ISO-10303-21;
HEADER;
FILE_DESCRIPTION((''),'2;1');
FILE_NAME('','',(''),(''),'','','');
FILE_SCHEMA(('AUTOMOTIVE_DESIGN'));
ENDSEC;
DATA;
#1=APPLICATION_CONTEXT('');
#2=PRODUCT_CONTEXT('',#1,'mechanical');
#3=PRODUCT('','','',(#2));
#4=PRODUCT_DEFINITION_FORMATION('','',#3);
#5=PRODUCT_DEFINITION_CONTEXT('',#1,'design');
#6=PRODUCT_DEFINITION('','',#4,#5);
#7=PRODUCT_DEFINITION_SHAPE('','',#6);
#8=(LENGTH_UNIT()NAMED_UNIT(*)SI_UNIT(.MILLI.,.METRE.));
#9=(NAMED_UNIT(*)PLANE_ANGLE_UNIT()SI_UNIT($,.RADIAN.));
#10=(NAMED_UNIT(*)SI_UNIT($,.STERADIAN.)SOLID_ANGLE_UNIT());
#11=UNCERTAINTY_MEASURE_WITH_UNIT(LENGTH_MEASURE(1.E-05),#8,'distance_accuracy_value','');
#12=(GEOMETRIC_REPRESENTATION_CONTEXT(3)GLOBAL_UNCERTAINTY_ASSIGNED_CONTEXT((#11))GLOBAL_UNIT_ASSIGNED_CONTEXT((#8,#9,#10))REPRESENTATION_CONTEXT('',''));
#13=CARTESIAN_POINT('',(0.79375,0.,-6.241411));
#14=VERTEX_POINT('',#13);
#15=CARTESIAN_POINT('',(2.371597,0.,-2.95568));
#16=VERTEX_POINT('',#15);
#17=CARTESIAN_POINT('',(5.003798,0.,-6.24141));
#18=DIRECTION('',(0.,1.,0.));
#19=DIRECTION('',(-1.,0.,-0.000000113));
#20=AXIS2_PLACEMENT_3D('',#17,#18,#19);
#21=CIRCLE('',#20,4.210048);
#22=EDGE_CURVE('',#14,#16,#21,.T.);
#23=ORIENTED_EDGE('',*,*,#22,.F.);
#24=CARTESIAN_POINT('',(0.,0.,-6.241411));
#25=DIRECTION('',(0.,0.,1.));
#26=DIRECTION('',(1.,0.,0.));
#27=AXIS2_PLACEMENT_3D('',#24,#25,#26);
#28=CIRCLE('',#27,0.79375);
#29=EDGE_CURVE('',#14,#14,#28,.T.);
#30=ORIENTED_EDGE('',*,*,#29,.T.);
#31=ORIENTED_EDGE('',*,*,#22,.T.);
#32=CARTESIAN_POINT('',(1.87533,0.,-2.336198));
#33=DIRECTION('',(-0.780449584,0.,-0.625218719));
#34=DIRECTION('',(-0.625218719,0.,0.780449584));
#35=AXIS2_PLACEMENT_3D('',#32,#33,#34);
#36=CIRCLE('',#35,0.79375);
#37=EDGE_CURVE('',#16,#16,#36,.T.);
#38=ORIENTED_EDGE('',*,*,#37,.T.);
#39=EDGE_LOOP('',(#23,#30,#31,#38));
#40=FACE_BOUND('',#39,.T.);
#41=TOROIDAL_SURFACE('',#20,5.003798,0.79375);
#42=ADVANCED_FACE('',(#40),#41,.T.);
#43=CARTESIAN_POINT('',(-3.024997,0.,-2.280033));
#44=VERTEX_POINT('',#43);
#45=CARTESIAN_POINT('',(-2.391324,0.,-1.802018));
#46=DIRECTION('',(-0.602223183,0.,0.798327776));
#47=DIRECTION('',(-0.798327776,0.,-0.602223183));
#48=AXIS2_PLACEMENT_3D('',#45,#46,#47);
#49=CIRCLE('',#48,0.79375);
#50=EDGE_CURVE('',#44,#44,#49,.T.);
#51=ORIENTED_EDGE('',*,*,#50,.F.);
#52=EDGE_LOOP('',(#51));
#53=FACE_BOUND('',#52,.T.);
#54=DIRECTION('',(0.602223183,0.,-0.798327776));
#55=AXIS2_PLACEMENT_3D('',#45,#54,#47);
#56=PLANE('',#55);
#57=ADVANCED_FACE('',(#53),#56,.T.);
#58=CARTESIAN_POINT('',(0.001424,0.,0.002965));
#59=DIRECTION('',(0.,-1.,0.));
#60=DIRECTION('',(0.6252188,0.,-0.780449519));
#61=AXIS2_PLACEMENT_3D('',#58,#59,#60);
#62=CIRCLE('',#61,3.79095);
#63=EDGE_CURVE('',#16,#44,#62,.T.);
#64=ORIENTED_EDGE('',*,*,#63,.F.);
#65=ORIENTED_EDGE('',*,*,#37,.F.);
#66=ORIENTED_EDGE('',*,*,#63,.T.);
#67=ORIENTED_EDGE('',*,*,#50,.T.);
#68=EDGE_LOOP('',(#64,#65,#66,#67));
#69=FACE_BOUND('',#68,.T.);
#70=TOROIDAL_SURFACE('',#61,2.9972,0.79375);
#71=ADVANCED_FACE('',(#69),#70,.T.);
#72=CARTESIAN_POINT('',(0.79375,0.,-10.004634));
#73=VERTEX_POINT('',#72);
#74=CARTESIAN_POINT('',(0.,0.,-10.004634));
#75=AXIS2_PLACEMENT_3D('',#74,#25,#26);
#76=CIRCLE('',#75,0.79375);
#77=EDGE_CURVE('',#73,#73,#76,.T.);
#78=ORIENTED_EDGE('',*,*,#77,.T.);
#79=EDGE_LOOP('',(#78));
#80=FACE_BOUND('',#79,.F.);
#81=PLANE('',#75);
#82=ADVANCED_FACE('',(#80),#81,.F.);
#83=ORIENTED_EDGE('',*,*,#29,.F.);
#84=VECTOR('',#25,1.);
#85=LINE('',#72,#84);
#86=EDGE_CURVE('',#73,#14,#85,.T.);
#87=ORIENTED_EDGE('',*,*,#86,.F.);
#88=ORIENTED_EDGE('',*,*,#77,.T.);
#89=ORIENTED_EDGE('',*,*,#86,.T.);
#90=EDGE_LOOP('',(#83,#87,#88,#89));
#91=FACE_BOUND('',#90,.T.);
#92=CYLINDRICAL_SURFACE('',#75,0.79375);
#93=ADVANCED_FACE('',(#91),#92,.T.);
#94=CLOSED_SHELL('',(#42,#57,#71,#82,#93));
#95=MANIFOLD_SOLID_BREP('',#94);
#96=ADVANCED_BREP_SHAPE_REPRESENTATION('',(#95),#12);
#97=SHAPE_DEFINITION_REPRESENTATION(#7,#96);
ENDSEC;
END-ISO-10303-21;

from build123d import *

# Parameters (mm, degrees)
F2_R = 0.79375


with BuildPart() as f3:
    # F3: sweep along a path in F0
    with BuildLine(Plane.XZ) as f3_path:
        Line((0, -10.004634), (0, -6.241411))
        ThreePointArc((0, -6.241411), (0.493132, -4.075334), (1.87533, -2.336198))
        ThreePointArc((1.87533, -2.336198), (0.373763, 2.976948), (-2.391324, -1.802018))
    # F2 (on offset) → F3 (sweep)
    with BuildSketch(Plane.XY.offset(-10.00463)):
        Circle(F2_R)
    sweep(path=f3_path.line)


solid = f3.part
